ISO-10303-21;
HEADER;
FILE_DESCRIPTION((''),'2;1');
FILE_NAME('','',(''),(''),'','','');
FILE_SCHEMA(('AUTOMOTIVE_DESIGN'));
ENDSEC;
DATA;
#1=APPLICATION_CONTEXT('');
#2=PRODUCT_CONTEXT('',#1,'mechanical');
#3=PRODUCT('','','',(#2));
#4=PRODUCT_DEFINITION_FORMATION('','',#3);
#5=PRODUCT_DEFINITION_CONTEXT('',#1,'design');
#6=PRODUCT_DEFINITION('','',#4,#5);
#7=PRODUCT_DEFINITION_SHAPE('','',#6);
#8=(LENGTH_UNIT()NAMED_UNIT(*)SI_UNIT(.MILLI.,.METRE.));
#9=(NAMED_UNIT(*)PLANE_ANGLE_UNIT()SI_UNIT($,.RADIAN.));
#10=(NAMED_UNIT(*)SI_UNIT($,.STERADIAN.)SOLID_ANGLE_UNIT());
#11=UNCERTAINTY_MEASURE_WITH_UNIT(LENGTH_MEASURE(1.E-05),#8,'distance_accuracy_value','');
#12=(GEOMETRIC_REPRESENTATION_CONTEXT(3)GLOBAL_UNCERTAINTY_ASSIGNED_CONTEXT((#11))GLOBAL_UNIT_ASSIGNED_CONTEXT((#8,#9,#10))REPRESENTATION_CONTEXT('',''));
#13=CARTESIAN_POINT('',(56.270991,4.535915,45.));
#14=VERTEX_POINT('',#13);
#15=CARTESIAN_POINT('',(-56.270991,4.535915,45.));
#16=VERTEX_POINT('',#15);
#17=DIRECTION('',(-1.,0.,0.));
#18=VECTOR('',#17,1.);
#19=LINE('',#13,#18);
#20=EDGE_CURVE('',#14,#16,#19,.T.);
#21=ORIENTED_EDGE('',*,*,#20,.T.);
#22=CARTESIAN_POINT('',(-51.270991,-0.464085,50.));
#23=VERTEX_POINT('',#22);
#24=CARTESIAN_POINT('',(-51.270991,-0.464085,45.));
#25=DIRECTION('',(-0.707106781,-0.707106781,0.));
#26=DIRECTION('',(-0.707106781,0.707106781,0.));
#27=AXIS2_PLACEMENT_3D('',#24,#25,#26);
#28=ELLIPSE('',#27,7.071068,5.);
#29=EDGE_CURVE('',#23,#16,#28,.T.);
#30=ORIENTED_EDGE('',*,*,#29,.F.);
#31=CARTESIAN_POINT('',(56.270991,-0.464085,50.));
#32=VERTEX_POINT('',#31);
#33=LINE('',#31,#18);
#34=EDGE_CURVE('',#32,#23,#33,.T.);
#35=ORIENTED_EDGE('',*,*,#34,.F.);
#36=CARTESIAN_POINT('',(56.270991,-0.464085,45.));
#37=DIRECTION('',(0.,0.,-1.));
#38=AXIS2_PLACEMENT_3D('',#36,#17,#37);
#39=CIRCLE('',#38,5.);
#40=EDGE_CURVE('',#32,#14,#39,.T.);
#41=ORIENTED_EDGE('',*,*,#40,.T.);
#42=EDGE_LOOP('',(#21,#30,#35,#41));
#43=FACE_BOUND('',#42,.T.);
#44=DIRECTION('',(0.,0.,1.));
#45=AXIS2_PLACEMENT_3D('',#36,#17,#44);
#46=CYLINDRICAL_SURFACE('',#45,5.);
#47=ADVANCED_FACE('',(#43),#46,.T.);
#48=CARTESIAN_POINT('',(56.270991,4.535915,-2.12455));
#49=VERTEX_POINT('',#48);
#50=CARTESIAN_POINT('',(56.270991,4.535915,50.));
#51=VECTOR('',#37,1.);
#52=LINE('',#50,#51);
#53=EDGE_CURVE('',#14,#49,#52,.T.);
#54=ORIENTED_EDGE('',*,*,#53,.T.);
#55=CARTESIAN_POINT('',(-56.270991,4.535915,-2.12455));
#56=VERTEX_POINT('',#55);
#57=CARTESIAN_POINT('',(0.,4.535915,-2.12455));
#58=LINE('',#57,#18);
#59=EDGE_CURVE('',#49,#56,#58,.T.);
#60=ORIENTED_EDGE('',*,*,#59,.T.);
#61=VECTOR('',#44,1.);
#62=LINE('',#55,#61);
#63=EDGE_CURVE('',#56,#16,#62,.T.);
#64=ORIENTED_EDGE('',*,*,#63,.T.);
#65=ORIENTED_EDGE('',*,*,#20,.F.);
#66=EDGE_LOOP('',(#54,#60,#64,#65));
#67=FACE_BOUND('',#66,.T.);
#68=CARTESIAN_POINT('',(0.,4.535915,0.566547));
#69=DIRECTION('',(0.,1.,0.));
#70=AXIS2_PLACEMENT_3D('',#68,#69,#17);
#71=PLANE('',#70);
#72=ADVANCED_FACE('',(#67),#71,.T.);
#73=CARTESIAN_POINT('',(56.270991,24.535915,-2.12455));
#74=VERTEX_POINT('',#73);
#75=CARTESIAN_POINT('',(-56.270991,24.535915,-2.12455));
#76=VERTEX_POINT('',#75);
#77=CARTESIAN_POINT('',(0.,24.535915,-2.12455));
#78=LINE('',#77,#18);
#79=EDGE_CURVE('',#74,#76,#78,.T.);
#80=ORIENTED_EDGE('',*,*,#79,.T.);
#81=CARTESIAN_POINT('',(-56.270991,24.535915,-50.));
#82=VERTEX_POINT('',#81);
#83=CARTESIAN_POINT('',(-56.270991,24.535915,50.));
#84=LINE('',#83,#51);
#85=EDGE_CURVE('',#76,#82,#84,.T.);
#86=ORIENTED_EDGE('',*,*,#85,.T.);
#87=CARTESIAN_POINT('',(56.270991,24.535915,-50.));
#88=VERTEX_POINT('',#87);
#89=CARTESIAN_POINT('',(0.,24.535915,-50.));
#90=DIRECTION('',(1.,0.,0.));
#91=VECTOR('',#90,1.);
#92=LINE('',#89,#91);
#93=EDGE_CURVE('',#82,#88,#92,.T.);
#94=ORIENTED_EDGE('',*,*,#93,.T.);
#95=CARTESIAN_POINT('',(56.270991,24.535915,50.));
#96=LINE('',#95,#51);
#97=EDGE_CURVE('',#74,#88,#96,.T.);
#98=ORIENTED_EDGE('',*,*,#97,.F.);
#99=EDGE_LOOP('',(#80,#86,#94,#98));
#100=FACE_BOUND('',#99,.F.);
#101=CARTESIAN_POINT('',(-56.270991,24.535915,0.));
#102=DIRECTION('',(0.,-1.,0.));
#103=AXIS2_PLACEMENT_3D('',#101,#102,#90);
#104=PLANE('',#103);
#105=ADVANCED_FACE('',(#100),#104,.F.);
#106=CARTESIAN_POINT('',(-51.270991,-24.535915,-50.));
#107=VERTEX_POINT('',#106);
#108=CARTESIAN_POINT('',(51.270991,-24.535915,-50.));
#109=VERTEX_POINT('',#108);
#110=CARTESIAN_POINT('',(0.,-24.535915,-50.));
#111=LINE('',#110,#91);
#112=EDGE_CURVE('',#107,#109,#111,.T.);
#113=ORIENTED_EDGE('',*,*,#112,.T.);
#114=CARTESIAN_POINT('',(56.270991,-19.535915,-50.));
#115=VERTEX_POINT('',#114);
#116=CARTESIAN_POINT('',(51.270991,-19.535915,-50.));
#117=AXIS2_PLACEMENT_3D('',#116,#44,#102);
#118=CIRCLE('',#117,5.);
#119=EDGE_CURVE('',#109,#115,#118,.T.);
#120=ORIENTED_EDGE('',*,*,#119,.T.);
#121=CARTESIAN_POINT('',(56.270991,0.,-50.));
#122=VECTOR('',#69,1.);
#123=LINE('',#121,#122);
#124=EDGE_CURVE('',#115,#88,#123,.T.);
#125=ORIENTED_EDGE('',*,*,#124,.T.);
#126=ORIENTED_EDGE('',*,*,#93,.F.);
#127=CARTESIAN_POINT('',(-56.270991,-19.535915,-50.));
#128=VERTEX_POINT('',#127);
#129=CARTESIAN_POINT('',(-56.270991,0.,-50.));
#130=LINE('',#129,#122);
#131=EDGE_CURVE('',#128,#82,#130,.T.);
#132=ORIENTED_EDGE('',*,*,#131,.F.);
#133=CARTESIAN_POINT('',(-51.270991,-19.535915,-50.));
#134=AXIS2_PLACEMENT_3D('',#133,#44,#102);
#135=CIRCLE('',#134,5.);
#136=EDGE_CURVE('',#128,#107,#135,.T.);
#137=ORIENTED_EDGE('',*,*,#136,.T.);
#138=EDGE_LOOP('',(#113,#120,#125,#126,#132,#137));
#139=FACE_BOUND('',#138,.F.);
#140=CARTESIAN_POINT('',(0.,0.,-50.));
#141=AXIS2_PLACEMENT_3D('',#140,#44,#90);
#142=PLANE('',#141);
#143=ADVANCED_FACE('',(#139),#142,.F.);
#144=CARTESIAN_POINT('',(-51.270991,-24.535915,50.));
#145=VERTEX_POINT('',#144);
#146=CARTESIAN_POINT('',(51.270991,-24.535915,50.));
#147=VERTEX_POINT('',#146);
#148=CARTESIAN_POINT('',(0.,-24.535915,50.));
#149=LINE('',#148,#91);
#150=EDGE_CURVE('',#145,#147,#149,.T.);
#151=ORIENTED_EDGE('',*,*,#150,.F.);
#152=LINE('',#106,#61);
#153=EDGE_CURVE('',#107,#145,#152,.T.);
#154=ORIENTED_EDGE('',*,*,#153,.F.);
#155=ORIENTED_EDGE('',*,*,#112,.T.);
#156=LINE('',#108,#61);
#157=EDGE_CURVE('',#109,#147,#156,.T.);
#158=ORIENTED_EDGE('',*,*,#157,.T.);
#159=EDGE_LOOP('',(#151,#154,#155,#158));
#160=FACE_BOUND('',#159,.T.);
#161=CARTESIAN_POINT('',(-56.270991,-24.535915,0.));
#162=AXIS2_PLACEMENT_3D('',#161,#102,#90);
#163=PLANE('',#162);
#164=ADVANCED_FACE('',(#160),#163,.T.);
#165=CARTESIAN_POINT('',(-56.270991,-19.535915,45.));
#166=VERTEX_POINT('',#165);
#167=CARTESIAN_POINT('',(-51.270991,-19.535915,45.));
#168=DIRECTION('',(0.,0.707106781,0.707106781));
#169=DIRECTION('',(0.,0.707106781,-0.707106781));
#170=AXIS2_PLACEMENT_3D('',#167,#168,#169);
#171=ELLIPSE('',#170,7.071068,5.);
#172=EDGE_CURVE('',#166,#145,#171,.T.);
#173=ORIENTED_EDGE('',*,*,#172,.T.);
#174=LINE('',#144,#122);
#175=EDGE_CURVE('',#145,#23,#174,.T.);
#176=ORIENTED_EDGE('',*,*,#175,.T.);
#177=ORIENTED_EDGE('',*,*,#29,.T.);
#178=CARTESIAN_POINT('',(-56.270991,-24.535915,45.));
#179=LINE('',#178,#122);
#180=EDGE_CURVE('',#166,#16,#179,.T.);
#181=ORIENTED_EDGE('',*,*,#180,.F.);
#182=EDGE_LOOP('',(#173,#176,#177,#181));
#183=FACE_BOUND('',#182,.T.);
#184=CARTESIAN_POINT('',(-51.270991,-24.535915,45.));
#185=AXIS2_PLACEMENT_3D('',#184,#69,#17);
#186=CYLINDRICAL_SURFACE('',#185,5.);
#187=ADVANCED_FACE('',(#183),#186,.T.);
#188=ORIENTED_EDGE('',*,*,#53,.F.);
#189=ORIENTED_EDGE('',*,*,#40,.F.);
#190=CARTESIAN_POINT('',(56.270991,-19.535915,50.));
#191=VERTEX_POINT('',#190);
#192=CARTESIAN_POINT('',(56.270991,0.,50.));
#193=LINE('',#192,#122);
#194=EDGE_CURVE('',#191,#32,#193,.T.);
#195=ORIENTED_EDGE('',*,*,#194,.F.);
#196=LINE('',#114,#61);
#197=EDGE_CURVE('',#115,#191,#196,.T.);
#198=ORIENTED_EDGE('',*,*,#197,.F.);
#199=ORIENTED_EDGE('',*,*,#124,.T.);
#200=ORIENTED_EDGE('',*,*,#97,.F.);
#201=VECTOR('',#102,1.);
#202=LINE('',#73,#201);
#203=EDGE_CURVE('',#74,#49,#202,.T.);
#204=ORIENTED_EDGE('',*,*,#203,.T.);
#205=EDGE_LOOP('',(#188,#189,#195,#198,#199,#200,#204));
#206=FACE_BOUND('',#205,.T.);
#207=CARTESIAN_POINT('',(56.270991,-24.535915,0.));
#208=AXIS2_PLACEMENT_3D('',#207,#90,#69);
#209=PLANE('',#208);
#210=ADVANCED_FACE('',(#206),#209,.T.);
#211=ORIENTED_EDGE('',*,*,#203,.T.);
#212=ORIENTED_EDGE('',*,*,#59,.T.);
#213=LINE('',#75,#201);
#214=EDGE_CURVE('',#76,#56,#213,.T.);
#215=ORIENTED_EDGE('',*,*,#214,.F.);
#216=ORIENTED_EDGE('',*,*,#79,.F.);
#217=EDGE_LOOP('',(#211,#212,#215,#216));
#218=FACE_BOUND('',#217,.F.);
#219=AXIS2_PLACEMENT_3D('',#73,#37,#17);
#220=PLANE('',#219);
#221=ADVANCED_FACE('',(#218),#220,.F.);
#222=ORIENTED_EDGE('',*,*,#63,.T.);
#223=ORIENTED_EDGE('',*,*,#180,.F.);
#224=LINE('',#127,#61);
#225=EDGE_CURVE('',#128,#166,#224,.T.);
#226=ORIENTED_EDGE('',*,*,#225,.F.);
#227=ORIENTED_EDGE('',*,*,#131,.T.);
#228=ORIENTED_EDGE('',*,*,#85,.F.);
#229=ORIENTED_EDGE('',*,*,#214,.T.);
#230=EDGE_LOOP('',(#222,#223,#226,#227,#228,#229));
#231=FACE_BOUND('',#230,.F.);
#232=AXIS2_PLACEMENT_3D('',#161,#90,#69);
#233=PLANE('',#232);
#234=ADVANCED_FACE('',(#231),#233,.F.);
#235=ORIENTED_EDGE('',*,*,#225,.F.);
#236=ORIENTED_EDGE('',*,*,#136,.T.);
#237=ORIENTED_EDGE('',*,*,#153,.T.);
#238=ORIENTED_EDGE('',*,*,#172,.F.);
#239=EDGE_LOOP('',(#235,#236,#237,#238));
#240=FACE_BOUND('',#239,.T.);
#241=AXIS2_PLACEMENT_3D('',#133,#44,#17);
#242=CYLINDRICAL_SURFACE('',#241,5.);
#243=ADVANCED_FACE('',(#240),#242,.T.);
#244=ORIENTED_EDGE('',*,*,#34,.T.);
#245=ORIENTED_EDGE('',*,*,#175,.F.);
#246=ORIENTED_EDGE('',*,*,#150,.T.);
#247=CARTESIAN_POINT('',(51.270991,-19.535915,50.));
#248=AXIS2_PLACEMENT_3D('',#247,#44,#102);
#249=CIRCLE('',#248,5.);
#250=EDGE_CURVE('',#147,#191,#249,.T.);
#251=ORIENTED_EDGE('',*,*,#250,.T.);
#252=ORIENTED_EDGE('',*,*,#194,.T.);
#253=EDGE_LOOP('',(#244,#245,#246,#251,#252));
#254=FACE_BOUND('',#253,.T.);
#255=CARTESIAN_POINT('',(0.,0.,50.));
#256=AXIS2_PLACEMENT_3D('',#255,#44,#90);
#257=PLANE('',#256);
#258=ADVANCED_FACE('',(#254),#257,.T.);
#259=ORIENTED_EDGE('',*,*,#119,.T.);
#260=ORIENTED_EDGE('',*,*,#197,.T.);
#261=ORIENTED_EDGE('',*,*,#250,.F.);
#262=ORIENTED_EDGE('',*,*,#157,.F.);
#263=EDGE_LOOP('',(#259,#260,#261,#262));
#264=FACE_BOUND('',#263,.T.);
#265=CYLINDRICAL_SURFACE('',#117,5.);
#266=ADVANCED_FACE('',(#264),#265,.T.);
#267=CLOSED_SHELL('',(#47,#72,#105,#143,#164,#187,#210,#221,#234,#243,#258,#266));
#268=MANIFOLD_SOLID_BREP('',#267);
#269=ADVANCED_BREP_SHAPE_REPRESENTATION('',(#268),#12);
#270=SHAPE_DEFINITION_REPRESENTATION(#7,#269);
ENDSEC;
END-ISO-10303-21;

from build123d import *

# Parameters (mm, degrees)
F0_W     = 112.5419810414
F0_H     = 49.071829766
F1_DEPTH = 50
F2_DEPTH = 50
F3_W     = 112.5419810414
F3_H     = 5.3821941838
F3_H_2   = 46.7423561029
F4_DEPTH = 20
F5_R     = 5


with BuildPart() as f1:
    # F0 (on Top) → F1 (new body)
    with BuildSketch(Plane.XY):
        Rectangle(F0_W, F0_H)
    extrude(amount=F1_DEPTH)

    # F2 (add): a face of the model
    f2_faces = [f1.faces().sort_by_distance(p)[0] for p in [
        (0, 0, 0),
    ]]
    extrude(f2_faces, amount=F2_DEPTH)

    # F3 (on face) → F4 (cut)
    with BuildSketch(Plane(origin=(0, 24.535914883, 0), x_dir=(-1, 0, 0), z_dir=(0, 1, 0))):
        with Locations((0, 0.5665468052)):
            Rectangle(F3_W, F3_H)
        with Locations((0, 26.6288219485)):
            Rectangle(F3_W, F3_H_2)
    extrude(amount=-F4_DEPTH, mode=Mode.SUBTRACT)

    # F5
    f5_edges = [f1.edges().sort_by_distance(p)[0] for p in [
        (0, 4.535915, 50),
        (-56.270991, -10, 50),
        (56.270991, -24.535915, 0),
        (-56.270991, -24.535915, 0),
    ]]
    fillet(f5_edges, radius=F5_R)


solid = f1.part
